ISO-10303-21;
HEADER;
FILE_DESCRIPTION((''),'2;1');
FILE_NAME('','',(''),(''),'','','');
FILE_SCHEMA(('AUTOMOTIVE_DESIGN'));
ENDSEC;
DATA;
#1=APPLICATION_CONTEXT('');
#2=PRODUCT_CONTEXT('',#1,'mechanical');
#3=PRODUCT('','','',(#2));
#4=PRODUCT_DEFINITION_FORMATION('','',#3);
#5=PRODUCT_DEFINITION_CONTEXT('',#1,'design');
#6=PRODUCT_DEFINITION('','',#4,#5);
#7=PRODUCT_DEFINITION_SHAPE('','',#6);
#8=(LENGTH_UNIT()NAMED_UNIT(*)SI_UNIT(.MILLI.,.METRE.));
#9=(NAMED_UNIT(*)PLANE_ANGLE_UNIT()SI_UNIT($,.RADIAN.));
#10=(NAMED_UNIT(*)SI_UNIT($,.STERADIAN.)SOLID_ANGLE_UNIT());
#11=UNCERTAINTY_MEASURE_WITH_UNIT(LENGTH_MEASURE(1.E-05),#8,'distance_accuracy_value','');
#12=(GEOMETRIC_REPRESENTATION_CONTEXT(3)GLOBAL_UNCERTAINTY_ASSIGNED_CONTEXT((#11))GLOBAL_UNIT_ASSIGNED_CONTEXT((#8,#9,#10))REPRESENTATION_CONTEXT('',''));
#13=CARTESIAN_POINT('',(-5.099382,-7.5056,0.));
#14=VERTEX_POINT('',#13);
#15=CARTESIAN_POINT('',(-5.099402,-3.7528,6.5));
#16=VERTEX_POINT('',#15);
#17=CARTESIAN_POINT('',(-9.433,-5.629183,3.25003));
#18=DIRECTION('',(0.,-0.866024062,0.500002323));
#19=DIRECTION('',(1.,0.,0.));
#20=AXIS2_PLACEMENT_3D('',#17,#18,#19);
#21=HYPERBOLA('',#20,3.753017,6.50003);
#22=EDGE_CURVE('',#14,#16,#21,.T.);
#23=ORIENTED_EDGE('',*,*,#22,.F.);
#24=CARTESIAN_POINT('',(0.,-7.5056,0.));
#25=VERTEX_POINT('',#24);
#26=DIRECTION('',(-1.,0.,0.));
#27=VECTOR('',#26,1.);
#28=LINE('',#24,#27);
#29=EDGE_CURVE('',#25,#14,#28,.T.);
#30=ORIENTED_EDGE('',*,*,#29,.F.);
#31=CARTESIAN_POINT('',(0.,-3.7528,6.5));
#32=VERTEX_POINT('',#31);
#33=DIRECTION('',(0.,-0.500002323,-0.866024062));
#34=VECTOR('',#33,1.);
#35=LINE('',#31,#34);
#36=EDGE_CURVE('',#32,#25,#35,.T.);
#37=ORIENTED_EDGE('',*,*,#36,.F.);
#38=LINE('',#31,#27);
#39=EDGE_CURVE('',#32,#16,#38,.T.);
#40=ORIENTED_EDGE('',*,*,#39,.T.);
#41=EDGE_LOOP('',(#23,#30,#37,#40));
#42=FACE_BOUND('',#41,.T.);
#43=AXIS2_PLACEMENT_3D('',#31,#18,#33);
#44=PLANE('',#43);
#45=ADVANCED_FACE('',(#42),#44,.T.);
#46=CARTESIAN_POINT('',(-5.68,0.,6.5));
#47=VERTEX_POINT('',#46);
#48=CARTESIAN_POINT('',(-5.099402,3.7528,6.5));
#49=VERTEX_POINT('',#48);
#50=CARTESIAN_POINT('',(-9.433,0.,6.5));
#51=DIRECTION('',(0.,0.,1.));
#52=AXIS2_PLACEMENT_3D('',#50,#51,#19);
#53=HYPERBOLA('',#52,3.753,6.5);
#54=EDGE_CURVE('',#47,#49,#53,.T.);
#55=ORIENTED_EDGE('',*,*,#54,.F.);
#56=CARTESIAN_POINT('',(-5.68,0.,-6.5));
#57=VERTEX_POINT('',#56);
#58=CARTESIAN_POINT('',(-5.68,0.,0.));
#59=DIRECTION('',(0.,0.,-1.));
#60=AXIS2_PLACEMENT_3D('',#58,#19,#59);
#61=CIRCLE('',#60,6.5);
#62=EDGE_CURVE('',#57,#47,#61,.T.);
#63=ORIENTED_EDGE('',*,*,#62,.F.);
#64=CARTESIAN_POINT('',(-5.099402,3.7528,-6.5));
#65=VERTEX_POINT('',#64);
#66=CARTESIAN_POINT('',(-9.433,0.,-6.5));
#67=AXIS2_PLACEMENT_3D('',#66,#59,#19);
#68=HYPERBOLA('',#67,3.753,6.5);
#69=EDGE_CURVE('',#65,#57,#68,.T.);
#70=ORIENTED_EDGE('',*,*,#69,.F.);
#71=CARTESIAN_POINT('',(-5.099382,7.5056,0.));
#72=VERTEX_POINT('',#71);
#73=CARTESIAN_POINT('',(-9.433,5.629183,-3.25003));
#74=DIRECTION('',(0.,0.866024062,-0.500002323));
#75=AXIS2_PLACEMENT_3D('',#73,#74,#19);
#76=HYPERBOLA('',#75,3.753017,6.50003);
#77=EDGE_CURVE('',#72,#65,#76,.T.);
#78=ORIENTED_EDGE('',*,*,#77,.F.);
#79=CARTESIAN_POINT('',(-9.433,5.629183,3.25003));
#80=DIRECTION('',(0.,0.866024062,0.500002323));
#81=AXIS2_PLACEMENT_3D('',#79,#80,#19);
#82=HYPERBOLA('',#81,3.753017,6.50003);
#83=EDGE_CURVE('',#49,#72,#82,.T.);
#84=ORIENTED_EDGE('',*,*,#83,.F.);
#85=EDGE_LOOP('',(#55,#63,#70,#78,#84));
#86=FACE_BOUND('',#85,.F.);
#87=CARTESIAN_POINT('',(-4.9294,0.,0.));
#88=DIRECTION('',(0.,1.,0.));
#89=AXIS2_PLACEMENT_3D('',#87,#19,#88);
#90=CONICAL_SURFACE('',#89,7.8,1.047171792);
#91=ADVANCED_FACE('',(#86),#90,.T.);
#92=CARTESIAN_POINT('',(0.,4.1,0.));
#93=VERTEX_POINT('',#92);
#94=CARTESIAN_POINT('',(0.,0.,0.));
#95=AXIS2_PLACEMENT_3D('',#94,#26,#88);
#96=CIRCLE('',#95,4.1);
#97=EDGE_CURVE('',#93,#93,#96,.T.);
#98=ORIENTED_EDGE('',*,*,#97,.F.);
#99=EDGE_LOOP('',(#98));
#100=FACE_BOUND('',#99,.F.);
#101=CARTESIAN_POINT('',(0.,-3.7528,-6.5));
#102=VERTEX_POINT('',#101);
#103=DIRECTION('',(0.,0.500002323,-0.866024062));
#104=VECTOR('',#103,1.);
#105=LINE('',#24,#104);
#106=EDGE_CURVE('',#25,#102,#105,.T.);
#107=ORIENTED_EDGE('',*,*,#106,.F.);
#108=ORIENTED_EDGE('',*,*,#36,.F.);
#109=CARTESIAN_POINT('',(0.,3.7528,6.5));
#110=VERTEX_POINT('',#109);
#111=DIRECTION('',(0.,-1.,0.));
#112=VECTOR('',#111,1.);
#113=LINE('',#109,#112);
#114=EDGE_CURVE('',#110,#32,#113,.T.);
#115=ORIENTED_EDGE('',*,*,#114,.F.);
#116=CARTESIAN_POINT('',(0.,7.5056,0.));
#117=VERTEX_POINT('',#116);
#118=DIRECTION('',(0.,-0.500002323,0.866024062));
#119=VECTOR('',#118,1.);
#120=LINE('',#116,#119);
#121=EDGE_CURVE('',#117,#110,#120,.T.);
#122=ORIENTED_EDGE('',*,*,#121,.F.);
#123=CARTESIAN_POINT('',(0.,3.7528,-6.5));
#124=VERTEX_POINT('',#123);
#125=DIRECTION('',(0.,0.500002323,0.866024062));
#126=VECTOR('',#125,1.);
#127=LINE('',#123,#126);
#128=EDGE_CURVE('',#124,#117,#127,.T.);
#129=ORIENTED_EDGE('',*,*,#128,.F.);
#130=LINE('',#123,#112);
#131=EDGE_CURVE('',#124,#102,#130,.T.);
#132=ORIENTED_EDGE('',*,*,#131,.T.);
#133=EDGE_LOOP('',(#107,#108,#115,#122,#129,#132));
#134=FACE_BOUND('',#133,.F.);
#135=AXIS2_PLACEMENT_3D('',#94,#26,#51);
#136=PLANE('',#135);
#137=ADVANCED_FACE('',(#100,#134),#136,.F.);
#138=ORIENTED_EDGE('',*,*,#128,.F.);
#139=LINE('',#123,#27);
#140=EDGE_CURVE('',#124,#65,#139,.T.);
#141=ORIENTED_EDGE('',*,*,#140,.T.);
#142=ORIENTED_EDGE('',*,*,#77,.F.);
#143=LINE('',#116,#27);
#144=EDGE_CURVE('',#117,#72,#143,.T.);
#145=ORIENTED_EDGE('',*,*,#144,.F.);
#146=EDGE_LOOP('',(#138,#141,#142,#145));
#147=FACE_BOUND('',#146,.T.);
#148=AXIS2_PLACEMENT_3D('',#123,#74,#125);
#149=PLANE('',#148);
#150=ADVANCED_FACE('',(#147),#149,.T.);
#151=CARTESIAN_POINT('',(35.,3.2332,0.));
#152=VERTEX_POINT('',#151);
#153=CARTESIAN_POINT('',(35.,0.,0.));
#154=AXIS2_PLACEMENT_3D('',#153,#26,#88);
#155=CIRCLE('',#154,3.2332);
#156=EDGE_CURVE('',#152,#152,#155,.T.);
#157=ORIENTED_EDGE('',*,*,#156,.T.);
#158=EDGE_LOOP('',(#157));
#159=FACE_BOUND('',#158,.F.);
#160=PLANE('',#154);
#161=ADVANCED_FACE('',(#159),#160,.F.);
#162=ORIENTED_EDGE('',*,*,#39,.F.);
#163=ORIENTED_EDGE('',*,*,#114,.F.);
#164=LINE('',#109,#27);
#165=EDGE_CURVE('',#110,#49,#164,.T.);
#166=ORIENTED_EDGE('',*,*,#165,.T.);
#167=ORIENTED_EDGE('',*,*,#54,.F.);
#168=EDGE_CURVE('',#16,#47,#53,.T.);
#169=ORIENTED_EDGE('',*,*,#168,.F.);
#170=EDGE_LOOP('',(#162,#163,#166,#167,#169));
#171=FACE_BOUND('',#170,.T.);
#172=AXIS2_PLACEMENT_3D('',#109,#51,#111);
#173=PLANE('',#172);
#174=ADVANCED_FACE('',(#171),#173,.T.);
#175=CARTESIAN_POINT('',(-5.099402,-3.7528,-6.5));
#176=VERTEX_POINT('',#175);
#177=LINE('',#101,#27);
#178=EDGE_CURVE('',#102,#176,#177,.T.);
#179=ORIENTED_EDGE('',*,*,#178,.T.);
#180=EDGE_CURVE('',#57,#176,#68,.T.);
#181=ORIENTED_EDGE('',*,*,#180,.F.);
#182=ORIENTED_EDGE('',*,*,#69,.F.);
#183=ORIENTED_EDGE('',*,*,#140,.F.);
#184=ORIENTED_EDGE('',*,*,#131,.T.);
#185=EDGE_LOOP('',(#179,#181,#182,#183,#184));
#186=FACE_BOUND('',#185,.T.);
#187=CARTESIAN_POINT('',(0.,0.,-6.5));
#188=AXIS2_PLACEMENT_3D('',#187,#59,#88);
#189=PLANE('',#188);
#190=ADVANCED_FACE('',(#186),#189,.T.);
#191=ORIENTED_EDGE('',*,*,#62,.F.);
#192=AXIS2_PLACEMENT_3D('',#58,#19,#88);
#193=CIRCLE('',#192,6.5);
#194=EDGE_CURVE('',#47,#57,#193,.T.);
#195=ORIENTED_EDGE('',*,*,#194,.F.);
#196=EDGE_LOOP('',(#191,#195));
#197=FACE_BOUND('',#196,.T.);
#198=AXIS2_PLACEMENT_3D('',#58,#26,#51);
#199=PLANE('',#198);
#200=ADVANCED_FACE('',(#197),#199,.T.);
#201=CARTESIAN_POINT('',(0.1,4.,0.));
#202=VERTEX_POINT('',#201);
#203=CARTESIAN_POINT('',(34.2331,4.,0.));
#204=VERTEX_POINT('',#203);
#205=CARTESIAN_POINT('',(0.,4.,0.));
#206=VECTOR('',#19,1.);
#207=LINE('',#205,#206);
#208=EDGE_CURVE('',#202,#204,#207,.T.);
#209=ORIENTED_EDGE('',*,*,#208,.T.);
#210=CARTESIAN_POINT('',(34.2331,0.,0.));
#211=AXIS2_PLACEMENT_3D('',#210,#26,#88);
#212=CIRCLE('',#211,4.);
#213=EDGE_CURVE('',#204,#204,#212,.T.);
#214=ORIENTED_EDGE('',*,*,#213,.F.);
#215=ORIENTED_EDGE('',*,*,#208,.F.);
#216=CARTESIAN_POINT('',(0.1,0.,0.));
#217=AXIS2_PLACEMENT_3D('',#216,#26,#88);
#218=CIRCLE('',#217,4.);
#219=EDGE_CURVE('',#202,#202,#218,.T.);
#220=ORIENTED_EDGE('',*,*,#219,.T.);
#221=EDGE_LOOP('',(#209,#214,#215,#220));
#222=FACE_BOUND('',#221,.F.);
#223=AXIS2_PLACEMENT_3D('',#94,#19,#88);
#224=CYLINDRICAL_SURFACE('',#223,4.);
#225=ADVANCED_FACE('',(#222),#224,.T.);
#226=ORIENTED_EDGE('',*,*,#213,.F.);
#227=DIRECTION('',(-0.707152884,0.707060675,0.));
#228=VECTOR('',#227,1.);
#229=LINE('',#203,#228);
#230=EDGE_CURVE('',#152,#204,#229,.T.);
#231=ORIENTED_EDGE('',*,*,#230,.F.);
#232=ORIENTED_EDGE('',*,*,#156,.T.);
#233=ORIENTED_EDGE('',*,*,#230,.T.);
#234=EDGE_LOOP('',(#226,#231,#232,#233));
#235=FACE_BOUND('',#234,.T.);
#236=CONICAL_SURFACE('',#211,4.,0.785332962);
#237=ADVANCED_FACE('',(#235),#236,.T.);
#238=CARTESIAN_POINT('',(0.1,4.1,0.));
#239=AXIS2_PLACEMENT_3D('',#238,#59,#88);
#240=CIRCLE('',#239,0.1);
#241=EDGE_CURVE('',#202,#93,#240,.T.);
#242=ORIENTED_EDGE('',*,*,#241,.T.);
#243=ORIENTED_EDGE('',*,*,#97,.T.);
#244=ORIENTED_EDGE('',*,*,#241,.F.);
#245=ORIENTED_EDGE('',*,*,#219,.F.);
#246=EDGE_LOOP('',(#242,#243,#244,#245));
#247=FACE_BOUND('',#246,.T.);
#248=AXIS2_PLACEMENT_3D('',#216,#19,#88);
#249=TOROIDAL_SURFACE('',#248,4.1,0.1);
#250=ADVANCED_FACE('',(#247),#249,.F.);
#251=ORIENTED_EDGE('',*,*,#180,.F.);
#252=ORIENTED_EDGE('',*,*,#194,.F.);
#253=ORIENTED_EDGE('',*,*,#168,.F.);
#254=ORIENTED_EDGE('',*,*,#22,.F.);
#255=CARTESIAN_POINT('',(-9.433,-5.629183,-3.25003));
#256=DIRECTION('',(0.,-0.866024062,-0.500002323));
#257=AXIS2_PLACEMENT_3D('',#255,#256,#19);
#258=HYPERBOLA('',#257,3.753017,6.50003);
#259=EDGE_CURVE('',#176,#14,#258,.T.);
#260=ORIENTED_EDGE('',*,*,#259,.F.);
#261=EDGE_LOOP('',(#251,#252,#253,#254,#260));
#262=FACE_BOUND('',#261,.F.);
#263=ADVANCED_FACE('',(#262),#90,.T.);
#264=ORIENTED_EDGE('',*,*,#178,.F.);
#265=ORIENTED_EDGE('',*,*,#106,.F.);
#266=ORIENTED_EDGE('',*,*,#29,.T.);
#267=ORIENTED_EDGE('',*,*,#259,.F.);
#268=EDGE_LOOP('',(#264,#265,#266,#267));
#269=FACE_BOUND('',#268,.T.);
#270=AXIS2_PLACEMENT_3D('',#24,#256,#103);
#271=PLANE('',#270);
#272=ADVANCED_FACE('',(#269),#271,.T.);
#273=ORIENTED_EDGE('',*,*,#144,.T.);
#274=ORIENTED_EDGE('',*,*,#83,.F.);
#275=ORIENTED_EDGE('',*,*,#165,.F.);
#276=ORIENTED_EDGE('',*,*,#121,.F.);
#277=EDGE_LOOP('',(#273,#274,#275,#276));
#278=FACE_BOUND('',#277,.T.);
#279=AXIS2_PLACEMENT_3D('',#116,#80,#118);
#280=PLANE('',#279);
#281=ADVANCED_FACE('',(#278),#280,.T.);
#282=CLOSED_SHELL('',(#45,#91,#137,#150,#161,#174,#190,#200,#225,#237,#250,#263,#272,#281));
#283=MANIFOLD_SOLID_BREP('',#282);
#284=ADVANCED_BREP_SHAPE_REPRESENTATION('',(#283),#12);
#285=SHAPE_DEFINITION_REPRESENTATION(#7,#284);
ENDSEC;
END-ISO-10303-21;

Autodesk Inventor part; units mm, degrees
ref_plane "YZ Plane" through (0, 0, 0) normal (1, 0, 0) x (0, 1, 0)
ref_plane "XZ Plane" through (0, 0, 0) normal (0, 1, 0) x (-1, 0, 0)
sketch "Sketch1" plane through (0, 0, 0) normal (0, 0, 1) x (1, 0, 0)
  line L0 (0, 4) -> (35, 4)
  line L1 (35, 4) -> (35, 0)
  line L2 (35, 0) -> (0, 0)
  line L3 (-7, 0) -> (42, 0) projected
  line L4 (0, -0.8) -> (0, 4.8) projected
  line L5 (0, 4) -> (0, 0)
  dimension "d2" = 8
  dimension "d59" = 35
revolve "Body" add sketch "Sketch1" angle 360 about axis through (35, 0, 0) along (-1, 0, 0)
sketch "Sketch2" plane through (0, 0, 0) normal (-1, 0, 0) x (0, 0, 1)
  line L0 (0, 7.5056) -> (6.5, 3.7528)
  line L1 (6.5, 3.7528) -> (6.5, -3.7528)
  line L2 (6.5, -3.7528) -> (0, -7.5056)
  line L3 (0, -7.5056) -> (-6.5, -3.7528)
  line L4 (-6.5, -3.7528) -> (-6.5, 3.7528)
  line L5 (-6.5, 3.7528) -> (0, 7.5056)
  line L6 (-9.1, 0) -> (9.1, 0) projected
  line L7 (0, 10.5078) -> (0, -10.5078) projected
  point P0 (0, 0)
  point P1 (0, 0)
  dimension "d11" = 13
extrude "Head" add sketch "Sketch2" along normal blind 5.68
sketch "Sketch4" plane through (0, 0, 0) normal (0, 0, 1) x (1, 0, 0)
  line L0 (-4.9294, 7.8) -> (-5.68, 6.5)
  line L1 (-1.1, 0) -> (-0.234, 0)
  line L2 (-6.7692, 0) -> (0.8552, 0) projected
  line L3 (-5.68, 7.8) -> (-4.9294, 7.8)
  line L4 (-5.68, 6.5) -> (-5.68, 7.8)
  line L5 (0, 9.36) -> (0, -1.56) projected
  dimension "d65" = 13
  dimension "d67" = 30
  dimension "d68" = 15.6
  dimension "d69" = 5.68
revolve "Chamfer1" cut sketch "Sketch4" angle 360 about axis through (-1.1, 0, 0) along (1, 0, 0)
thread "Thread" size "M8x1.25" class "6g" standard "ISO Metric profile" length 22
chamfer "Chamfer2" distance 0.7668 distance2 0.7669 1 edges at (35, -4, 0) measured on face at (35, -0.3588, 0.308)
fillet "Fillet" radius 0.1 1 edges at (0, -4, 0)
ref_plane "Work Plane1" through (1.525, 0, 0) normal (0, 0, 1) x (1, 0, 0)
equation "\"d2\" = GD"
equation "\"d59\" = NLG"
equation "\"d11\" = SW"
equation "\"d3\" = KOH"
equation "\"d15\" = GEL"
equation "\"d6\" = -0.5 * SPD + 0.5 * GD"
equation "\"d71\" = RR"
equation "\"d65\" = SW"
equation "\"d67\" = ANG1"
equation "\"d68\" = 1.2 * SW"
equation "\"d69\" = KOH"
equation "\"NLG\" = 35"
equation "\"GD\" = NND"
equation "\"BDM\" = NND"
equation "\"KOH\" = 5.68"
equation "\"GEL\" = 22"
equation "\"SW\" = 13"
equation "\"SW0\" = SW"
equation "\"SPD\" = NND - 1.2269 * PTC"
equation "\"SD2\" = NND"
equation "\"SD\" = 0"
equation "\"ANG1\" = 30deg"
equation "\"GAL\" = 0.61345 * PTC"
equation "\"GUL\" = 0.61345 * PTC"
equation "\"RR\" = 0.1"
equation "\"RR1\" = 0.4"
equation "\"GD1\" = THREADDIA - 1.2269 * PTC"
equation "\"THREADDIA\" = 8"
equation "\"TOA\" = 30deg"
equation "\"PTC\" = 1.25"
equation "\"KOH1\" = 3.7"
equation "\"NND\" = 8"
equation "\"E0\" = 1.155 * SW"
properties part number "ANSI B18.2.3.5M - M8 x 1.25 x 35" material "Steel, Mild"
